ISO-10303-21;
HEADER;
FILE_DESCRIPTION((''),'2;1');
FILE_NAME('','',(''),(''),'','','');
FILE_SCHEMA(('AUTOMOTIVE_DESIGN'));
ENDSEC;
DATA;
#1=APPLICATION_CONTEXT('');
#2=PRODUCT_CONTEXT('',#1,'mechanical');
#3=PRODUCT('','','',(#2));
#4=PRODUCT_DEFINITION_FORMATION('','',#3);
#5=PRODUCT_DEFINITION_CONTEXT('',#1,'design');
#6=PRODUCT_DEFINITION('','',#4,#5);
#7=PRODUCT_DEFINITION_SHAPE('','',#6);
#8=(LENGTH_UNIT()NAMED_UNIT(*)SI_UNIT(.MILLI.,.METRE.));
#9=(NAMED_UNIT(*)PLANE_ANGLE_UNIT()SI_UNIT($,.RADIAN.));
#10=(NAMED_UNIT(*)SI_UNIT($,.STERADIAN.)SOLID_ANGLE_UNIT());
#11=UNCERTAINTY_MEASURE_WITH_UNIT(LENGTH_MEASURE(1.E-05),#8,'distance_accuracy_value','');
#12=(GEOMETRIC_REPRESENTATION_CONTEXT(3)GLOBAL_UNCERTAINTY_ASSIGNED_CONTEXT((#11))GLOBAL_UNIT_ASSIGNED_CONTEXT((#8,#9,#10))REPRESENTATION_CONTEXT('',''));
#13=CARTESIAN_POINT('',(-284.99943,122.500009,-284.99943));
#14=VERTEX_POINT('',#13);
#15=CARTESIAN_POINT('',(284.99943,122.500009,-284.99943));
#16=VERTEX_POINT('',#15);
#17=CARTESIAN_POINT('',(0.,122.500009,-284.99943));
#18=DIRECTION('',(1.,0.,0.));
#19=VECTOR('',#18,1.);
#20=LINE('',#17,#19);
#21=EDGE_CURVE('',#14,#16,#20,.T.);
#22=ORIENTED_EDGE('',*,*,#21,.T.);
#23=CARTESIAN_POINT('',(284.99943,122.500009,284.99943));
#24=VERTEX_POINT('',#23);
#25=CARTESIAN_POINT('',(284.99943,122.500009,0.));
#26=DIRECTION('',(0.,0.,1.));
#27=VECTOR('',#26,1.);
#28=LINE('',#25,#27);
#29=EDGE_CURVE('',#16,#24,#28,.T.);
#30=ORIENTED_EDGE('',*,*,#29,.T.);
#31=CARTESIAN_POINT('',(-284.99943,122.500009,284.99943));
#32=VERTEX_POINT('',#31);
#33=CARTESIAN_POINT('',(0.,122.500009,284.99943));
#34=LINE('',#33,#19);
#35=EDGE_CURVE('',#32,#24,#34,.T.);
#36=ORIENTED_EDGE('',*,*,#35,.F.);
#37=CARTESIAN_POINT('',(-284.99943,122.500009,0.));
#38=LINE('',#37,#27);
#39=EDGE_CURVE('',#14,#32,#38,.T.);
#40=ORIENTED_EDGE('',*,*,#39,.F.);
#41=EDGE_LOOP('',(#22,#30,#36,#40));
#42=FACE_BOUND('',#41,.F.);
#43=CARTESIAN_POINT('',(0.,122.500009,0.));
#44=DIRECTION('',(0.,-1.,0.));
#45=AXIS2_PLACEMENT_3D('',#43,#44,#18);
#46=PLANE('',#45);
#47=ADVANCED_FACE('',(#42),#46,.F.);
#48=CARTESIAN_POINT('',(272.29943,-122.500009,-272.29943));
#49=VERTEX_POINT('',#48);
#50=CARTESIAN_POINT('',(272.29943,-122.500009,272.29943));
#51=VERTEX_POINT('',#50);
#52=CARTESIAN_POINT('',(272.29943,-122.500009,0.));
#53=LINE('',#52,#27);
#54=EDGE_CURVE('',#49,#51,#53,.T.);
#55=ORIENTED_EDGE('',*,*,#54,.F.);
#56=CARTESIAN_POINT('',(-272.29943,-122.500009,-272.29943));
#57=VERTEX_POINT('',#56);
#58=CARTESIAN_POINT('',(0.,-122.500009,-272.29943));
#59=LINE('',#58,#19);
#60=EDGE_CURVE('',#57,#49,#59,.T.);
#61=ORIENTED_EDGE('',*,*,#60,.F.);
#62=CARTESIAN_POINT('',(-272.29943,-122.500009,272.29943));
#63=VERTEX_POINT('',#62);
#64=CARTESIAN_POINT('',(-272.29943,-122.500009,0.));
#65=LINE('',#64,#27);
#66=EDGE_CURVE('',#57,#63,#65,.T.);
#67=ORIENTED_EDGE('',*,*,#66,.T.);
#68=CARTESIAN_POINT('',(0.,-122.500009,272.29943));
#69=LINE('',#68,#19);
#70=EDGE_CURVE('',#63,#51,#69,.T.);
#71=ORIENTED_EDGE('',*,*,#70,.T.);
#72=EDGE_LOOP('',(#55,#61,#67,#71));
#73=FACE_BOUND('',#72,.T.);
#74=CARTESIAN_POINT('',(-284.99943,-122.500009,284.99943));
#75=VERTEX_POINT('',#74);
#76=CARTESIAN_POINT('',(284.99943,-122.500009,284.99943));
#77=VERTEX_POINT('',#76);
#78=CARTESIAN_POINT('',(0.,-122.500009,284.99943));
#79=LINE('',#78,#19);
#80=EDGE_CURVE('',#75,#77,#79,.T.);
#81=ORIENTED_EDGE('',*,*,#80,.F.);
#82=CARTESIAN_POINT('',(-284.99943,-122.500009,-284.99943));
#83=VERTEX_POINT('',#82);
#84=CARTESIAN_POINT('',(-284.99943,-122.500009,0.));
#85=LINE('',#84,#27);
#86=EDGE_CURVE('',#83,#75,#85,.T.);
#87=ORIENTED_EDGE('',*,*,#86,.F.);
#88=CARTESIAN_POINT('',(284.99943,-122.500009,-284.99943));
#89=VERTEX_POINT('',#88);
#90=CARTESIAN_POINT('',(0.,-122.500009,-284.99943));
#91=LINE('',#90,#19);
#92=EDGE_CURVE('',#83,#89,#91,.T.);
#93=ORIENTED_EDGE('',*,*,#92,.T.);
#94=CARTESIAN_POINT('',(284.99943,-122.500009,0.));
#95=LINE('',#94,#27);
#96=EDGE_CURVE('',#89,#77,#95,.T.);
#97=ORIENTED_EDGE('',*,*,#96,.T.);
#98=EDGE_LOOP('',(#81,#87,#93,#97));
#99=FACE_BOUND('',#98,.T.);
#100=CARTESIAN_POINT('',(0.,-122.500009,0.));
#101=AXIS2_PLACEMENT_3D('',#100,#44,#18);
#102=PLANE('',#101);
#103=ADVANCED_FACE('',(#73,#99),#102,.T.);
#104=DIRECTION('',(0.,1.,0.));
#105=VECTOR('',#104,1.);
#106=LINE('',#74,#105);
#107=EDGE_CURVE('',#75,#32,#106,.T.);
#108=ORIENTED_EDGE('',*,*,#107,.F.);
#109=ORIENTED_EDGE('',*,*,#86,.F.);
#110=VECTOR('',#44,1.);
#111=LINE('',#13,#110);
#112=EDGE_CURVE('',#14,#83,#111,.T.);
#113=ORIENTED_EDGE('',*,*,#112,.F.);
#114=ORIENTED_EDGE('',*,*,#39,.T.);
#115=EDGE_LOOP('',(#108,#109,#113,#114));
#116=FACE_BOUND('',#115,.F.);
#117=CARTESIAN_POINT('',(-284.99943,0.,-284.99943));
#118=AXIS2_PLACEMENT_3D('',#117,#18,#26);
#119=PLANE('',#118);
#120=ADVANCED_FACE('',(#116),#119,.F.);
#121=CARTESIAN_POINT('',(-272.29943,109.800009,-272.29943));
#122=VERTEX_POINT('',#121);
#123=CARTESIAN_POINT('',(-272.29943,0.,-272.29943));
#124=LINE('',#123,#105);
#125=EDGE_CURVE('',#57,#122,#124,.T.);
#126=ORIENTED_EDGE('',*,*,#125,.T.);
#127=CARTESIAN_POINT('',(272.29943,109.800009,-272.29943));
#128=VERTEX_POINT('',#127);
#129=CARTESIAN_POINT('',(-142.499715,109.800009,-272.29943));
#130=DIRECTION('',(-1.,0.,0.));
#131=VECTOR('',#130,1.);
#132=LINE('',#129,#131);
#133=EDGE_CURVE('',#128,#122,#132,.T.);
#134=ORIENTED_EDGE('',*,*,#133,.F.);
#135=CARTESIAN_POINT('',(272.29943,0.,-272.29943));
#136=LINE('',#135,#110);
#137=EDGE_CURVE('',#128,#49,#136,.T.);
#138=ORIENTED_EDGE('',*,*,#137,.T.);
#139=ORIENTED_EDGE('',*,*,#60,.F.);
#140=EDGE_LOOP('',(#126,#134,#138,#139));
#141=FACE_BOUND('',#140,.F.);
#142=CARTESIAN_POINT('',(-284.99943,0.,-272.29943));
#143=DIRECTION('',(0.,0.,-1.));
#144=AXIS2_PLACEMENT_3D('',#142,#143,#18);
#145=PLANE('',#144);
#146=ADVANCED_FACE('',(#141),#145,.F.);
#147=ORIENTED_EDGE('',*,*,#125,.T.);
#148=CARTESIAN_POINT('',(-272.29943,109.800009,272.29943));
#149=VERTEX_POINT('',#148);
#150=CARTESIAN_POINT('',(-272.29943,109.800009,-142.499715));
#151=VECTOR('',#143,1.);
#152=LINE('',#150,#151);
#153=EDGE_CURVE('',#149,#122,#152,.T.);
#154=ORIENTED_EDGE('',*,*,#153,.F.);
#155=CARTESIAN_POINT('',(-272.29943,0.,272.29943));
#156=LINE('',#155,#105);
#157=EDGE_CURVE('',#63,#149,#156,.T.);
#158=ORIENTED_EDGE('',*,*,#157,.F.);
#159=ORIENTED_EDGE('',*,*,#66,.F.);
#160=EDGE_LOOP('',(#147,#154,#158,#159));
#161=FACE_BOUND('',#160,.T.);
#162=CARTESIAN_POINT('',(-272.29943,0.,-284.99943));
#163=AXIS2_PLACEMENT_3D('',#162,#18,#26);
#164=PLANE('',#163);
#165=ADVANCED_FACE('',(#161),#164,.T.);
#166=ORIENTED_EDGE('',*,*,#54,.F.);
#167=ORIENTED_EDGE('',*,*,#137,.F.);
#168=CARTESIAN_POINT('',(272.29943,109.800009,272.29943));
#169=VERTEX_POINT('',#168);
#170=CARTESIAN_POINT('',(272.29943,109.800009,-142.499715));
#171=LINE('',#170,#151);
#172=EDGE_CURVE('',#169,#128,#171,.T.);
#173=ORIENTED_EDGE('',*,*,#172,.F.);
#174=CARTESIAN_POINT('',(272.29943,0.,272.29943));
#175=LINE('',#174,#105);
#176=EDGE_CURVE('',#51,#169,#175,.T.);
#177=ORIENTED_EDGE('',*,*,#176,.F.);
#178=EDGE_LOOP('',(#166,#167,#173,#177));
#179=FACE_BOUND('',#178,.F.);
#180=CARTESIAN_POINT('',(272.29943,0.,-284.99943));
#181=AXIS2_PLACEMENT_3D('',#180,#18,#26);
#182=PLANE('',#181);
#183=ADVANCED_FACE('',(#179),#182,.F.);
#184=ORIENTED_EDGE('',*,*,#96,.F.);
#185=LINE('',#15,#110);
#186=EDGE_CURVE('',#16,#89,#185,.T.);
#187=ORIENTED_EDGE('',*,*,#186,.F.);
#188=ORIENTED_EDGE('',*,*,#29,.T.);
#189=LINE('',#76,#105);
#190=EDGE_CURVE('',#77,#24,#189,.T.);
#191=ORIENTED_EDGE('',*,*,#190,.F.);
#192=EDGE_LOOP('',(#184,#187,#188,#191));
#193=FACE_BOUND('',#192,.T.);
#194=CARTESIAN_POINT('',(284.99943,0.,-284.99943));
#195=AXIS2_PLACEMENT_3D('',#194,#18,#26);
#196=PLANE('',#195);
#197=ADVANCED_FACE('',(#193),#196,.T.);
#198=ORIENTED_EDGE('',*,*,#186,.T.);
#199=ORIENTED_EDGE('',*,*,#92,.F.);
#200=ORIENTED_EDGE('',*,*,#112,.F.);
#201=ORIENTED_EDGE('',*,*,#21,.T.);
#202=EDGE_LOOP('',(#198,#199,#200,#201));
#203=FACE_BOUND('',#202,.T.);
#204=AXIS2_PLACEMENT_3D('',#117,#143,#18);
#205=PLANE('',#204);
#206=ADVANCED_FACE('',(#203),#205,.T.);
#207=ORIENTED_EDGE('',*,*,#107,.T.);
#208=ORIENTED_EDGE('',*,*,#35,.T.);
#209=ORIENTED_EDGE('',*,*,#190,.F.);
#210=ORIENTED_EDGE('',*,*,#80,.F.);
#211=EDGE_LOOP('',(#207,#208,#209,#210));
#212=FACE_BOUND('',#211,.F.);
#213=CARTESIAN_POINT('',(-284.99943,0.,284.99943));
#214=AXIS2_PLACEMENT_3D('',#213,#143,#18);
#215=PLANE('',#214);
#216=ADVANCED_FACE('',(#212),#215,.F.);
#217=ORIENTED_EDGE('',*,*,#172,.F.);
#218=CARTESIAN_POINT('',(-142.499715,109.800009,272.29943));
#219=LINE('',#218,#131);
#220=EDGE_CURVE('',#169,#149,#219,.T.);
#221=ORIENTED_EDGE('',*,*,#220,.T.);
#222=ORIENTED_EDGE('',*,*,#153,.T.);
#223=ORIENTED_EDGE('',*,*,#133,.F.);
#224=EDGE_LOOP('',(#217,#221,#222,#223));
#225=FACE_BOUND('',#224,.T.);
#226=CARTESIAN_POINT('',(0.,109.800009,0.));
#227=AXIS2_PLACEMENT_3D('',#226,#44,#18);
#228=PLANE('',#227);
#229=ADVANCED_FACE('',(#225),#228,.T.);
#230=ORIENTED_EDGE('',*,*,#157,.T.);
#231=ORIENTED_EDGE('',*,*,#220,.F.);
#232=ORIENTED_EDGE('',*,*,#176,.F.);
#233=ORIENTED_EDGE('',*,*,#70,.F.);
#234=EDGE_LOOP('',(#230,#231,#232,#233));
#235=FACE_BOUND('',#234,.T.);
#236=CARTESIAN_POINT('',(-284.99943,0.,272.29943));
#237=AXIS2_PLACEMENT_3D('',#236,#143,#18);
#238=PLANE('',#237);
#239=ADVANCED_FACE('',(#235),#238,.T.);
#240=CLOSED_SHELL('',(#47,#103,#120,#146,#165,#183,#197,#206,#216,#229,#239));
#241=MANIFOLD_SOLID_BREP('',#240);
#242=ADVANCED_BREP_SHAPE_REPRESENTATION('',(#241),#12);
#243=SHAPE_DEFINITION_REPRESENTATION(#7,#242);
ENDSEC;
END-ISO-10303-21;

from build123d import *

# Parameters (mm, degrees)
F0_W     = 569.99886
F0_H     = 569.99886
F1_DEPTH = 122.500009
F2_T     = -12.7


with BuildPart() as f1:
    # F0 (on Front) → F1 (new body, symmetric)
    with BuildSketch(Plane.XZ):
        Rectangle(F0_W, F0_H)
    extrude(amount=F1_DEPTH, both=True)

    # F2
    f2_openings = [f1.faces().sort_by_distance(p)[0] for p in [
        (0, -122.500009, 0),
    ]]
    offset(amount=F2_T, openings=f2_openings)


solid = f1.part
